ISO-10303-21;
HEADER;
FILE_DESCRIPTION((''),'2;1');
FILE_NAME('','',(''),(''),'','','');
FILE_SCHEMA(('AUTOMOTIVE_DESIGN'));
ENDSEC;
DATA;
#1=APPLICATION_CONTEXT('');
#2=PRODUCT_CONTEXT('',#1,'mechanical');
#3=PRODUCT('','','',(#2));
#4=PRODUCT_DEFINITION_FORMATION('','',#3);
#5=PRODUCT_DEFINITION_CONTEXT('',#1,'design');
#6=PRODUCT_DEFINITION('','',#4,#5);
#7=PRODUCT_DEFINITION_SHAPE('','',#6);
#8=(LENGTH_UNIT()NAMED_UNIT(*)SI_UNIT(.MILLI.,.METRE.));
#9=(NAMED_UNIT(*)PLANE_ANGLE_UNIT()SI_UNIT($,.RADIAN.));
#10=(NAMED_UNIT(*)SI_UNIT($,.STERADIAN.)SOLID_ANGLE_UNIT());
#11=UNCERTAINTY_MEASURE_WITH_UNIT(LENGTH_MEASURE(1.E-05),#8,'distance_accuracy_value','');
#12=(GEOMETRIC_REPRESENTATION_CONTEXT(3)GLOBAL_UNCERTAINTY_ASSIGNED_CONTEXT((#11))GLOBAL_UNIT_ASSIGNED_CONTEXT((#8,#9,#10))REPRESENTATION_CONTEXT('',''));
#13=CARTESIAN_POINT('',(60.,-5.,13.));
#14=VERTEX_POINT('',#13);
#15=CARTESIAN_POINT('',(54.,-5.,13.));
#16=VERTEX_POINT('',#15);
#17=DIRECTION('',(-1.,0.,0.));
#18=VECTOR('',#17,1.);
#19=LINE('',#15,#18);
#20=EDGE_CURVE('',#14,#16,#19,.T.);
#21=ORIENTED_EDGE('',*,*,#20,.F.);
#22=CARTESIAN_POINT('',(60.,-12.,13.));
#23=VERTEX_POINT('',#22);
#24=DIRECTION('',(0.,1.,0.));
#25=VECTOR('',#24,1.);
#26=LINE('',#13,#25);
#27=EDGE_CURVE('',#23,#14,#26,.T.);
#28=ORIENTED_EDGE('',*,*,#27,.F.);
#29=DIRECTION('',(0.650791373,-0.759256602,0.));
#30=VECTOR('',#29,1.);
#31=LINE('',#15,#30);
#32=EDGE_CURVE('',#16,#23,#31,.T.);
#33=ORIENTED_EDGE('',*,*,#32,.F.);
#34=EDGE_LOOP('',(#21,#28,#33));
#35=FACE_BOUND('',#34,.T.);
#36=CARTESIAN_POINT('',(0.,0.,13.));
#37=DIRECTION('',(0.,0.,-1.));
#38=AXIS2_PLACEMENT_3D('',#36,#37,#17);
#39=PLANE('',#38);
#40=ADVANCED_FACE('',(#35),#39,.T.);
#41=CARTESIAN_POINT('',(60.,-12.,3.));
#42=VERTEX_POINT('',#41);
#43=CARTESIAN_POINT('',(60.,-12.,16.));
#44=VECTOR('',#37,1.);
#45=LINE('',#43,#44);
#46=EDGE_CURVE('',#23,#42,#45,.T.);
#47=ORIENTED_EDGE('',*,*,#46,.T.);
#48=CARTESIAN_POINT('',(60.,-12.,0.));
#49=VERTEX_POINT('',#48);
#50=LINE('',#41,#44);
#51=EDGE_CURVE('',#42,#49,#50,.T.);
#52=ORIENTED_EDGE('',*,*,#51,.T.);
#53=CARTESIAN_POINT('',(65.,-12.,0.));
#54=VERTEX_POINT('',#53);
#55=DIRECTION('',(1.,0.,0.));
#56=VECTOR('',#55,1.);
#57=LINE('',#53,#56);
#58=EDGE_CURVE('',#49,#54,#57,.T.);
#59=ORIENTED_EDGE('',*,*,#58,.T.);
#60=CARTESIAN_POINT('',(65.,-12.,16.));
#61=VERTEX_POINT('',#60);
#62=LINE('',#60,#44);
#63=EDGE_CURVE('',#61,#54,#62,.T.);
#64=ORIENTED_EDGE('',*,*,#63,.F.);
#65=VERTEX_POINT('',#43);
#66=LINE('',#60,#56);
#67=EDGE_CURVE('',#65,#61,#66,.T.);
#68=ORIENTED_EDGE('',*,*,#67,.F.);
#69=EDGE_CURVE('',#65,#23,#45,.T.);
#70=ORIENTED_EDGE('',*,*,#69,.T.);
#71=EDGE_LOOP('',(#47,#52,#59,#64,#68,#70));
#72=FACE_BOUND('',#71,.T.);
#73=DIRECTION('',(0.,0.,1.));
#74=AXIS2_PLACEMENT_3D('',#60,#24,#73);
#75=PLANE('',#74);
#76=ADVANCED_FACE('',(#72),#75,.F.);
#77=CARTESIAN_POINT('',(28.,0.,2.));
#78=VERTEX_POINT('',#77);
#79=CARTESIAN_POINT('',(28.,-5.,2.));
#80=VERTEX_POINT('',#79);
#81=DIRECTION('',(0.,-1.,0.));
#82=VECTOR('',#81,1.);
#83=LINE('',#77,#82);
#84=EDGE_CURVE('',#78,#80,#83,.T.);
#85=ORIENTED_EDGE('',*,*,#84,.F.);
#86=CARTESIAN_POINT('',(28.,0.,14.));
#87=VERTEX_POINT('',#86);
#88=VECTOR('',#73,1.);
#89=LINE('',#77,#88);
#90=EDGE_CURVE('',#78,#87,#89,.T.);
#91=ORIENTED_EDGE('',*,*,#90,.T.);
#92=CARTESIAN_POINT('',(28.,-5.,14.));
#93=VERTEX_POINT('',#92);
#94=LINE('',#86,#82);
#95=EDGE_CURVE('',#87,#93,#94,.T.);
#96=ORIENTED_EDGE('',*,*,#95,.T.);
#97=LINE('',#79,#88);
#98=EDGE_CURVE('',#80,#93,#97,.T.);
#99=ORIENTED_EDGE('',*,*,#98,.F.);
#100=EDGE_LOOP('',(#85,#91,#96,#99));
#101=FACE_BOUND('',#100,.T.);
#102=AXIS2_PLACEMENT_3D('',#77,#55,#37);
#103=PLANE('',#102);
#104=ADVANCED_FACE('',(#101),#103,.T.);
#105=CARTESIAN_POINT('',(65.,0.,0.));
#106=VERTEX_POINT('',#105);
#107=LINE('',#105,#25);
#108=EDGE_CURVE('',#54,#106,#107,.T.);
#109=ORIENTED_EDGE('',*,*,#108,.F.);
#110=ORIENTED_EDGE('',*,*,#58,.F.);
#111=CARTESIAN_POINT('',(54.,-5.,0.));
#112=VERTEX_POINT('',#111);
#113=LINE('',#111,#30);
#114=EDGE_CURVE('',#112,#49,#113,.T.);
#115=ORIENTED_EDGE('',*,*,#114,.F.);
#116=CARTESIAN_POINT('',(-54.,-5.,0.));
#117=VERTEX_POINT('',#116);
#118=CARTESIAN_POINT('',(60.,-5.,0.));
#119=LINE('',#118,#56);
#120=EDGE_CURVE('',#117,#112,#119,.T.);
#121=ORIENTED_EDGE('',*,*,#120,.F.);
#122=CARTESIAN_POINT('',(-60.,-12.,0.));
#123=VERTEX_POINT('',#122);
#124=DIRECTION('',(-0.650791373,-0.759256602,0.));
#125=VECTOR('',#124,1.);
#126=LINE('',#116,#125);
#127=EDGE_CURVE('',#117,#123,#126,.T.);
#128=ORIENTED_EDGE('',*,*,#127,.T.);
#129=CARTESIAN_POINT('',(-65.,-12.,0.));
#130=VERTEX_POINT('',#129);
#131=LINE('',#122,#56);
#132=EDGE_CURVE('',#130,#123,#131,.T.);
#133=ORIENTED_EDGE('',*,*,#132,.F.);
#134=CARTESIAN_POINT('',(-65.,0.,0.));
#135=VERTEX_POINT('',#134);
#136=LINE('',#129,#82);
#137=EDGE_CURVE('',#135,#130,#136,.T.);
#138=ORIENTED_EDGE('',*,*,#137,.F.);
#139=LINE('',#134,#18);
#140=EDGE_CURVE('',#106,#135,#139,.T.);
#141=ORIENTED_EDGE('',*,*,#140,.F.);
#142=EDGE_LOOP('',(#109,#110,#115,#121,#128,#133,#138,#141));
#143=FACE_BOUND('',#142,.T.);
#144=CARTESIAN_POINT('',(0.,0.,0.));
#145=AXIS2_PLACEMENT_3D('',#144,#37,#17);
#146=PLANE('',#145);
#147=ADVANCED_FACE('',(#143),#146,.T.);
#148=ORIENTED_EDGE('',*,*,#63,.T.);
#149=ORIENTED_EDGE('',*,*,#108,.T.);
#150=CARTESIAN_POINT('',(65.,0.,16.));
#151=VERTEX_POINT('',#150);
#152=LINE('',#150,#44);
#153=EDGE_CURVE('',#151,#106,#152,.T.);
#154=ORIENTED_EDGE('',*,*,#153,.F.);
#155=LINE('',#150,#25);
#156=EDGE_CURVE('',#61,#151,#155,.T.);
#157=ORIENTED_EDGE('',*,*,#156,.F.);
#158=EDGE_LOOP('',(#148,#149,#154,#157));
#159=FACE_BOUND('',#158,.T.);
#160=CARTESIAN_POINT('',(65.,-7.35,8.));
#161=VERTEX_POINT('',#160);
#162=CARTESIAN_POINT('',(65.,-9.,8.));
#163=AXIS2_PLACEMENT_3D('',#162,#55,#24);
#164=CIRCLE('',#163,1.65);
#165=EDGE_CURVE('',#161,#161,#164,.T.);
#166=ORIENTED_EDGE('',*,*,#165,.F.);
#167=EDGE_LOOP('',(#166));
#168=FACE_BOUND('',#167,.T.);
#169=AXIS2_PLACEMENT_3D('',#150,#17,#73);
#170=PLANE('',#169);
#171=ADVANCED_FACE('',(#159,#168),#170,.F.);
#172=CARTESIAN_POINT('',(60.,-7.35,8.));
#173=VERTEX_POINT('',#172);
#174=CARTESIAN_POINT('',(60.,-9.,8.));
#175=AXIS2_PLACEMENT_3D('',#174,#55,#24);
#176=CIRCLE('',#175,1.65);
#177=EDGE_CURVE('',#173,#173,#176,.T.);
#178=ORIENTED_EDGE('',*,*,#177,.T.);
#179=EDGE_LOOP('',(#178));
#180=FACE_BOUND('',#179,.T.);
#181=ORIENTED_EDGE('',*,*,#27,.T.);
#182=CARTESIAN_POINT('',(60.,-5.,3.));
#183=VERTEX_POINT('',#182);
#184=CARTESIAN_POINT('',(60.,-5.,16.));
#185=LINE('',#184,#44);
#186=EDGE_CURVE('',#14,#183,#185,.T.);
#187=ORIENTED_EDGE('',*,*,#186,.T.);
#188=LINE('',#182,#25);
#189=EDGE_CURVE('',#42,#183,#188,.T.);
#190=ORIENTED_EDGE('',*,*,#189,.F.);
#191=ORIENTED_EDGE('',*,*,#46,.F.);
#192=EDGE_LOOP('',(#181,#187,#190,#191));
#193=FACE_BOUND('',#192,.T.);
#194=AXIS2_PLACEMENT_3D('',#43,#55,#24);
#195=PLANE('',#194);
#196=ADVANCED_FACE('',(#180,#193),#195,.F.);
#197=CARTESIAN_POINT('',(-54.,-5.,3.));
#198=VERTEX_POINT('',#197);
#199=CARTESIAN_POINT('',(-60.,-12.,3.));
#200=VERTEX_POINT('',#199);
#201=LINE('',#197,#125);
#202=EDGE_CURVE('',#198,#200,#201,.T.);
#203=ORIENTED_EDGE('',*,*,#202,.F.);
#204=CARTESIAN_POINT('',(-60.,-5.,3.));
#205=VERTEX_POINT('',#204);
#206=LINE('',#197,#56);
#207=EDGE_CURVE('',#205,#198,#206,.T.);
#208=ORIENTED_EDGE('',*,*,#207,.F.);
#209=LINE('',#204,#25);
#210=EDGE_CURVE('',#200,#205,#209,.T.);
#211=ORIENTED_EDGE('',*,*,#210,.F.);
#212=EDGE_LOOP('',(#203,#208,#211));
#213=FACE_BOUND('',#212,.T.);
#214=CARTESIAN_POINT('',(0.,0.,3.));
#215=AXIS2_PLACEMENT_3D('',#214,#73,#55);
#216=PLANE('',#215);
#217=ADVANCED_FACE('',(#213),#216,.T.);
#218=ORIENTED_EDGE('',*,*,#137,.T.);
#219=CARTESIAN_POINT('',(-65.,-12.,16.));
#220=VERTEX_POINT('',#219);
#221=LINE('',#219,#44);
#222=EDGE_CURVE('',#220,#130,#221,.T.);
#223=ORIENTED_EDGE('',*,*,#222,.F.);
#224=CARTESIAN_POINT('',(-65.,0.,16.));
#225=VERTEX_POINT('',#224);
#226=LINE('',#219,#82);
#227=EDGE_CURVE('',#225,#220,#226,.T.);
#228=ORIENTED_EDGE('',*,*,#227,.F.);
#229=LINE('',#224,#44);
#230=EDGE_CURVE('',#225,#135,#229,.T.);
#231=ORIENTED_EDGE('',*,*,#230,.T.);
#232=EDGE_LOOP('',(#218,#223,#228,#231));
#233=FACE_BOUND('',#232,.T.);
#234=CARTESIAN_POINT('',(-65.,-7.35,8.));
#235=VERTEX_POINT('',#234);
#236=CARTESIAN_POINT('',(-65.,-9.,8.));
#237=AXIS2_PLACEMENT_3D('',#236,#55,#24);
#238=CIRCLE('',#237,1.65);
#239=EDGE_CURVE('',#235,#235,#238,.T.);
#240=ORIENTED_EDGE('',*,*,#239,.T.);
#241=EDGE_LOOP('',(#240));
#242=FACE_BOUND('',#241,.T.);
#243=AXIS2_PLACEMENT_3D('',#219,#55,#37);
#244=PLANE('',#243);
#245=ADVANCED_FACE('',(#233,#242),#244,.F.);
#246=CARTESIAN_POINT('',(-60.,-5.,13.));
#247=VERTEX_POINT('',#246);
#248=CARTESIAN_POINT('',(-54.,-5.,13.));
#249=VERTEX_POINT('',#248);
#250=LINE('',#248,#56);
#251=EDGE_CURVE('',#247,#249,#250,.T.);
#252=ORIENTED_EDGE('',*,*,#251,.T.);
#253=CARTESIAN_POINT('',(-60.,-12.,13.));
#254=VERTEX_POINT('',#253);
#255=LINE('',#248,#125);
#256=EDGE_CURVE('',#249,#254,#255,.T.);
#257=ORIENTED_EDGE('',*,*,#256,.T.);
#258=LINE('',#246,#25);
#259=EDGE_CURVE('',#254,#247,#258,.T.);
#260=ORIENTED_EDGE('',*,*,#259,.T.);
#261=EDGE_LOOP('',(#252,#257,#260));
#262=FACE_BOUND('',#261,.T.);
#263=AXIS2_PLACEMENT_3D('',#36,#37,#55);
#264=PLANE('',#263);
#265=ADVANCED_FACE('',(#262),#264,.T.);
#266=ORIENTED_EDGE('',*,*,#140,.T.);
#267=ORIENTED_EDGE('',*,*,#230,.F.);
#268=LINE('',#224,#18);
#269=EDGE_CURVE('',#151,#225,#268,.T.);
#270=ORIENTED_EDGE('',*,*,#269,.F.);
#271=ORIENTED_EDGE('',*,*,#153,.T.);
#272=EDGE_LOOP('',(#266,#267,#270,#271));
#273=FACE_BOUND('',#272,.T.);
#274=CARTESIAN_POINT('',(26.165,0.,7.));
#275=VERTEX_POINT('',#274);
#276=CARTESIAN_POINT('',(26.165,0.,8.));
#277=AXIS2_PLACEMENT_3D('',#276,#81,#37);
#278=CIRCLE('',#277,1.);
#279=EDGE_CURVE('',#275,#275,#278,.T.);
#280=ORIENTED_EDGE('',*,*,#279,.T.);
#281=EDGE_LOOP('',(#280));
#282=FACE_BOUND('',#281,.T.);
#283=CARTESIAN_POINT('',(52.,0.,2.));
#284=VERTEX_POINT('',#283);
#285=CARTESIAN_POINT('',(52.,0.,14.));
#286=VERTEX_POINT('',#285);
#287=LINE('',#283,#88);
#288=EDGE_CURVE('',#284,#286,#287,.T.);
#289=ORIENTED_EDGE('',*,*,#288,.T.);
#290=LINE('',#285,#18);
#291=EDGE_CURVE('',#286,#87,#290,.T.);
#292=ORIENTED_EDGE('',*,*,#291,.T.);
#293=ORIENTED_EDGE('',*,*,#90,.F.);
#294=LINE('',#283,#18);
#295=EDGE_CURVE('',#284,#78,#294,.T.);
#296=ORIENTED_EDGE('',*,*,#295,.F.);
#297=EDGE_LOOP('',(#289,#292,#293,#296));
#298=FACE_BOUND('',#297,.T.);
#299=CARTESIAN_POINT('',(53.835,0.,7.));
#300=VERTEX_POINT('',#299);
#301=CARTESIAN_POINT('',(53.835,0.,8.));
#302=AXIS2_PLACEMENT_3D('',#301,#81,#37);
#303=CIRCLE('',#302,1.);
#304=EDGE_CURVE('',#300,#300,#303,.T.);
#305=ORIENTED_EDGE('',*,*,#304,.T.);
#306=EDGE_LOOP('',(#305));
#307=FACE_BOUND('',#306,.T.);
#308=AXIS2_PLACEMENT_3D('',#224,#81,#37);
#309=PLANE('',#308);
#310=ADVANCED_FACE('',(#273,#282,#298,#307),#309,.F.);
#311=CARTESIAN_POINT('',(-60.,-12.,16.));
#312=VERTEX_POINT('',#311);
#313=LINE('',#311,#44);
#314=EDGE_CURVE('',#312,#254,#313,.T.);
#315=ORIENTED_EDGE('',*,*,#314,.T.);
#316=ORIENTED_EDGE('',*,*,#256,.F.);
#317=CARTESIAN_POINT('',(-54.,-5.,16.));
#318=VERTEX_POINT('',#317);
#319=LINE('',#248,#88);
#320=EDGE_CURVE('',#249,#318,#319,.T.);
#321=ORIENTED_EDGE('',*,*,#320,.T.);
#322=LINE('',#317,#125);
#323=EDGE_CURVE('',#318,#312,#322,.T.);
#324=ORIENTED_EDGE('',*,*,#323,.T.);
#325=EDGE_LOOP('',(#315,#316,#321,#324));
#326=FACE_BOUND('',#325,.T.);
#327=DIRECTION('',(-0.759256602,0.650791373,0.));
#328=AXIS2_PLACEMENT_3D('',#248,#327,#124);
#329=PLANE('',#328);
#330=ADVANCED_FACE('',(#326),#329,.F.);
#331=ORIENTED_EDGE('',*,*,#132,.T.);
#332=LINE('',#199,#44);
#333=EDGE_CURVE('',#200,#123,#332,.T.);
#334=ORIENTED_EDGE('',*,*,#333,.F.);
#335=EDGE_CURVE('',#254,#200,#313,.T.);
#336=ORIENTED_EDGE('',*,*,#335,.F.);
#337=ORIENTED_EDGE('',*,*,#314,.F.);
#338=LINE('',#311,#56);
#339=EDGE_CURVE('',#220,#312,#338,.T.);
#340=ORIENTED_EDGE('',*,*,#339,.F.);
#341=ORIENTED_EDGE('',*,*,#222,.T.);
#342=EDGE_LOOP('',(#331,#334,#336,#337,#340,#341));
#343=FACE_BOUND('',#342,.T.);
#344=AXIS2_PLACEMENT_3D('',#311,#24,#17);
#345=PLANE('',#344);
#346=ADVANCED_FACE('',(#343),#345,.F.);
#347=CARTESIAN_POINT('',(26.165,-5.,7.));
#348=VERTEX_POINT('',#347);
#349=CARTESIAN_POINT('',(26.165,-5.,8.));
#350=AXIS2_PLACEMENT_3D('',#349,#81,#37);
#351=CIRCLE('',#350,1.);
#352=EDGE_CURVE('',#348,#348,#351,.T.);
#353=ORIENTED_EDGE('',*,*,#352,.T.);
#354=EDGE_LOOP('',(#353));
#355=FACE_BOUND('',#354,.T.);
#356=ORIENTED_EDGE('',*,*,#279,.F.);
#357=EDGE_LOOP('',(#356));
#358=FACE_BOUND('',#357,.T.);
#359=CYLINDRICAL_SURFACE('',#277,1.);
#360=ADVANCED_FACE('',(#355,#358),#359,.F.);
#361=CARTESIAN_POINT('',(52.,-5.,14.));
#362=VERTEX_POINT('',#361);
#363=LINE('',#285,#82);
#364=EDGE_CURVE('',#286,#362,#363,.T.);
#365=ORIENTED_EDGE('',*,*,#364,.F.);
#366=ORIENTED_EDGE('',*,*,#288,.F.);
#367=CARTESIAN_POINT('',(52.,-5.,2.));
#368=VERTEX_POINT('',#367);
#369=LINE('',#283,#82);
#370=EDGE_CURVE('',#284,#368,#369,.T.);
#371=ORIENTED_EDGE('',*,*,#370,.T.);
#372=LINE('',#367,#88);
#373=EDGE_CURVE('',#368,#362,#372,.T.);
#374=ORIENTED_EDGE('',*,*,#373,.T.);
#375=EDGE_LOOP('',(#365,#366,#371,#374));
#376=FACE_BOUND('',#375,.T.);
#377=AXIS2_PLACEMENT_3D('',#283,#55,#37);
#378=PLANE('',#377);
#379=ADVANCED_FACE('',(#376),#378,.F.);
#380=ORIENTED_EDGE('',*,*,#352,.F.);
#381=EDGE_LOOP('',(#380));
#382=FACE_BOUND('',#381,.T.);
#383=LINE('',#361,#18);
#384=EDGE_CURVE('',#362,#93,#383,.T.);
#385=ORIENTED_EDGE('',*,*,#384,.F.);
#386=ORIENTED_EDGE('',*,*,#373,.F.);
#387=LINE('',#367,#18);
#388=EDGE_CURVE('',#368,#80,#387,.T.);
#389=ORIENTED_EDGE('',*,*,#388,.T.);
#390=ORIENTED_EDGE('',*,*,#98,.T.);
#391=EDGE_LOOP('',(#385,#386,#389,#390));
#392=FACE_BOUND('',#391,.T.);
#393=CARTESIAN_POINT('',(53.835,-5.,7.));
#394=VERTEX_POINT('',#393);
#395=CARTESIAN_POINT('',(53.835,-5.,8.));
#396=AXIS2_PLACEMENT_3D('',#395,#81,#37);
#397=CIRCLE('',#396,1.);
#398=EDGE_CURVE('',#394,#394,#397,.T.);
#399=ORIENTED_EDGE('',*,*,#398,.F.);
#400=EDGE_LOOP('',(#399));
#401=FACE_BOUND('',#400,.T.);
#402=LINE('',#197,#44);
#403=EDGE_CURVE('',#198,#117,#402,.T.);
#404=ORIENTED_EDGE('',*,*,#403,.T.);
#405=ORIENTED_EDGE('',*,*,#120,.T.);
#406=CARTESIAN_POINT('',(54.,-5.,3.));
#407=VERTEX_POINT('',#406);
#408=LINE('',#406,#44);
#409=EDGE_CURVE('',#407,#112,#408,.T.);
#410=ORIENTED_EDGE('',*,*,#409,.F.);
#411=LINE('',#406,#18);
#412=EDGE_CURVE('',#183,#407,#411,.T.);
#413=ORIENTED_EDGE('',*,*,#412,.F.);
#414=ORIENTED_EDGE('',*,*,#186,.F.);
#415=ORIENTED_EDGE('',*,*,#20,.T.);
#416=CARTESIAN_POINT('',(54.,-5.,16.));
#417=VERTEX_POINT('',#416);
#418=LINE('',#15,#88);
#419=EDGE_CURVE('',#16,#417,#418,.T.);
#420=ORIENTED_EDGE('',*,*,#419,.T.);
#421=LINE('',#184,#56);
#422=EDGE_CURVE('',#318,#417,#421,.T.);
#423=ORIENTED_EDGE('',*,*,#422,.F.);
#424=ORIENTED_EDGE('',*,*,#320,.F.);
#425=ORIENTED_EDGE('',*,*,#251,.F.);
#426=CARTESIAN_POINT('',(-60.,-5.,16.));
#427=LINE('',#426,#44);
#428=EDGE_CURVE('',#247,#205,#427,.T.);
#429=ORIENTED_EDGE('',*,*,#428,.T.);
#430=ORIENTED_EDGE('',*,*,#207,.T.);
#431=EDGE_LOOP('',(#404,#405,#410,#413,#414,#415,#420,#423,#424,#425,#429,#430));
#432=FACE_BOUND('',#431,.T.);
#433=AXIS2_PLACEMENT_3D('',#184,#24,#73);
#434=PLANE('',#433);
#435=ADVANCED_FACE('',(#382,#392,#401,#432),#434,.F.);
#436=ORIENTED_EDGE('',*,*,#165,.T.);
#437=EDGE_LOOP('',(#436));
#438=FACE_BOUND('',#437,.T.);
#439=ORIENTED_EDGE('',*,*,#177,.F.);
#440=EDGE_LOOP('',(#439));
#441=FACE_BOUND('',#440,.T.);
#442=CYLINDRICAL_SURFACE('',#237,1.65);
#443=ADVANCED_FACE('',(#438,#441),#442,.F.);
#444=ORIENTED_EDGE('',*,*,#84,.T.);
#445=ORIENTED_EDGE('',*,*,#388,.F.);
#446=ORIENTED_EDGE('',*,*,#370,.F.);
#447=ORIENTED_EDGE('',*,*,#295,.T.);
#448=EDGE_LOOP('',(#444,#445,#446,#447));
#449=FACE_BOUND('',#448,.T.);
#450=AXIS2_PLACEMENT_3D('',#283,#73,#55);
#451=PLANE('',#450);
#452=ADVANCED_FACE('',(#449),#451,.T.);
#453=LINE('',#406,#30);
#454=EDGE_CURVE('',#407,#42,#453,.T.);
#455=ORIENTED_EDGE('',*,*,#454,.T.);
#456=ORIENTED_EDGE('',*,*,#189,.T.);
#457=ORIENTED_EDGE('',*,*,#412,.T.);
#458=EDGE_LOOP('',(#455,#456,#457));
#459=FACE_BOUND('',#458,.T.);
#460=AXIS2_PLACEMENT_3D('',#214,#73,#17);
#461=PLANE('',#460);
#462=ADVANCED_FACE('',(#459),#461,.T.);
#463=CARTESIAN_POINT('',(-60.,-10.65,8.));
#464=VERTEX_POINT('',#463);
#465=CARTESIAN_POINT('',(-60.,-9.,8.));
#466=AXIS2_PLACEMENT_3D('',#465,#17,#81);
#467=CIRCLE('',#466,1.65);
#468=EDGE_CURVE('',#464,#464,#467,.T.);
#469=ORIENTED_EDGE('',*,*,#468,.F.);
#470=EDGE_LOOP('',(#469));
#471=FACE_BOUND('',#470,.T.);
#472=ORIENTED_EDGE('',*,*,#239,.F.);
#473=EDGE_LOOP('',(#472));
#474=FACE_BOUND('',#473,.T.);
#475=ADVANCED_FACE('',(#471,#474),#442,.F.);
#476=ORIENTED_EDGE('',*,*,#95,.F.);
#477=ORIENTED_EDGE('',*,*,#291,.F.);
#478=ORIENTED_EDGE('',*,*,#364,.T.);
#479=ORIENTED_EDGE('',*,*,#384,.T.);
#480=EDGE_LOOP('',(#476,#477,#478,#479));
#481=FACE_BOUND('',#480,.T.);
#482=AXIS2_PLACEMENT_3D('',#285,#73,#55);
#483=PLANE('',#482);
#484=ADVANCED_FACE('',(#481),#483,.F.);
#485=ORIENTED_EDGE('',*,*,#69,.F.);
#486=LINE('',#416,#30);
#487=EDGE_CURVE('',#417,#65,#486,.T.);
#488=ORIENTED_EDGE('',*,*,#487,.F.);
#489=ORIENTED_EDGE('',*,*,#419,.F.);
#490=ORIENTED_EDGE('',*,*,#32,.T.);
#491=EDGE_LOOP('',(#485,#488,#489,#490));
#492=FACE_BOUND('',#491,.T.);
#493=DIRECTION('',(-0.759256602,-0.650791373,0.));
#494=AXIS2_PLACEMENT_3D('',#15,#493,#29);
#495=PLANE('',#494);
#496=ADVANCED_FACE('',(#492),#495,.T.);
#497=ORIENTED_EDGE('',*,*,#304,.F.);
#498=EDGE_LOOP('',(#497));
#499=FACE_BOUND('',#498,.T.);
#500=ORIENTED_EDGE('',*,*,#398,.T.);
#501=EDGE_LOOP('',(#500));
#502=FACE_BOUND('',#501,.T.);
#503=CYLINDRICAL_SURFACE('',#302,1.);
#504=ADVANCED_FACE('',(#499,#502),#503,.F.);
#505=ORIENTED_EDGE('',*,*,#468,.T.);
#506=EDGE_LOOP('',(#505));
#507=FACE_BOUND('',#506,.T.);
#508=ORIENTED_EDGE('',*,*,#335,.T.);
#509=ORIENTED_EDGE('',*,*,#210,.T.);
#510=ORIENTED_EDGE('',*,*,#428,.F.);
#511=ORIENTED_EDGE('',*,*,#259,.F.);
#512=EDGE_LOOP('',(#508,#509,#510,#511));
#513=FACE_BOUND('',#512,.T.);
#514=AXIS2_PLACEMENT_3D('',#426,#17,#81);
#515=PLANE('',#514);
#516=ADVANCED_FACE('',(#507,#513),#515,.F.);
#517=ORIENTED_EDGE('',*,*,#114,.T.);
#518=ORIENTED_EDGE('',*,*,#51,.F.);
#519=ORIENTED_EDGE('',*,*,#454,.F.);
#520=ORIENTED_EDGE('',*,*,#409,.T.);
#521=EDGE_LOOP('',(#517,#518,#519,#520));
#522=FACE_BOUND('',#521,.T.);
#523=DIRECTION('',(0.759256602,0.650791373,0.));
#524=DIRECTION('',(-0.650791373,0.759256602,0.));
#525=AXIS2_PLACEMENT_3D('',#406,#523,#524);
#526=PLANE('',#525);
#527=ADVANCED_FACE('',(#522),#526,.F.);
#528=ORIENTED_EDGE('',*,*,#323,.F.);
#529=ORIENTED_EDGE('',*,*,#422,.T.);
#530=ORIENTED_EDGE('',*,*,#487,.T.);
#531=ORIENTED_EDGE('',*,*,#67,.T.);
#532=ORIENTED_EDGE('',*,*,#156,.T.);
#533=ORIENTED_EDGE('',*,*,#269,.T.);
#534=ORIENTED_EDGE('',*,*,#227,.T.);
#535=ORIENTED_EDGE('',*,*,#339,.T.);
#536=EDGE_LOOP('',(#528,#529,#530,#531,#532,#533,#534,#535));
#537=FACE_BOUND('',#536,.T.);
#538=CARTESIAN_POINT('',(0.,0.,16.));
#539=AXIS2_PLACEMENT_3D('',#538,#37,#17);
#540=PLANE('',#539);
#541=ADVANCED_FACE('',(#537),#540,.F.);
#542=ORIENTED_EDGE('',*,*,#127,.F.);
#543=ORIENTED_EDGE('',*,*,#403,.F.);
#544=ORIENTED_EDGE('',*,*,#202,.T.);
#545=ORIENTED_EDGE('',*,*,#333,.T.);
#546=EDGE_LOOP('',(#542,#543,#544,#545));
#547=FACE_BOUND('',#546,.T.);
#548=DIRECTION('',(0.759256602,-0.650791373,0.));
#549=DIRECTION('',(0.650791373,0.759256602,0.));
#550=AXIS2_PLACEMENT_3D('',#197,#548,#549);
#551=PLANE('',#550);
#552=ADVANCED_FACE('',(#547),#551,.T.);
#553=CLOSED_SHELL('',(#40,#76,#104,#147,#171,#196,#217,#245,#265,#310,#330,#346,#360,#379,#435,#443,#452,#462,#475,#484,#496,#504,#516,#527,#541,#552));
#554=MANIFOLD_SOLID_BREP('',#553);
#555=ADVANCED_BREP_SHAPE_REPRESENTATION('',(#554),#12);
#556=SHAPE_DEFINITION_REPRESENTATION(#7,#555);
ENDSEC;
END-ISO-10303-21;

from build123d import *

# Parameters (mm, degrees)
EXTRUDE_2_DEPTH          = 16
SKETCH_3_R               = 1.65
CUT_EXTRUDE_1_DEPTH      = 126
CUT_EXTRUDE_1_DEPTH_BACK = 6
EXTRUDE_3_DEPTH          = 3
MIRROR_2_COPY_1_DEPTH    = 3
SKETCH_7_W               = 24
SKETCH_7_H               = 12
CUT_EXTRUDE_2_DEPTH      = 5
SKETCH_10_R              = 1
CUT_EXTRUDE_3_DEPTH      = 5


with BuildPart() as part:
    # 草图1 → 凸台-拉伸2 (new body)
    with BuildSketch(Plane.XY):
        Polygon((-65, 0), (65, 0), (65, -12), (60, -12), (60, -5), (-60, -5), (-60, -12), (-65, -12), align=None)
    extrude(amount=EXTRUDE_2_DEPTH)

    # 草图3 → 切除-拉伸1 (cut, two sides)
    with BuildSketch(Plane(origin=(-60, 0, 0), x_dir=(0, 0, -1), z_dir=(1, 0, 0))) as cut_extrude_1_sk:
        with Locations((-8, -9)):
            Circle(SKETCH_3_R)
    extrude(amount=CUT_EXTRUDE_1_DEPTH, mode=Mode.SUBTRACT)
    extrude(cut_extrude_1_sk.sketch, amount=-CUT_EXTRUDE_1_DEPTH_BACK, mode=Mode.SUBTRACT)

    # 草图4 → 凸台-拉伸3 (add)
    with BuildSketch(Plane(origin=(0, 0, 0), x_dir=(-1, 0, 0), z_dir=(0, 0, -1))):
        Polygon((54, -5), (60, -12), (60, -5), align=None)
    extrude_3 = extrude(amount=-EXTRUDE_3_DEPTH)

    # 镜向1: 凸台-拉伸3 across plane
    add(extrude_3.mirror(Plane.XY.offset(8)))

    # 镜向2: 凸台-拉伸3 across plane
    add(extrude_3.mirror(Plane(origin=(0, 0, 0), x_dir=(0, 0, 1), z_dir=(1, 0, 0))))

    # 镜向2 copy 1 sketch → 镜向2 copy 1 (add)
    with BuildSketch(Plane.XY.offset(16)):
        Polygon((54, -5), (60, -12), (60, -5), align=None)
    extrude(amount=-MIRROR_2_COPY_1_DEPTH)

    # 草图7 → 切除-拉伸2 (cut)
    with BuildSketch(Plane.XZ.offset(5)):
        with Locations((40, 8)):
            Rectangle(SKETCH_7_W, SKETCH_7_H)
    extrude(amount=-CUT_EXTRUDE_2_DEPTH, mode=Mode.SUBTRACT)

    # 草图10 → 切除-拉伸3 (cut)
    with BuildSketch(Plane.XZ.offset(5)):
        with Locations((53.835, 8)):
            Circle(SKETCH_10_R)
        with Locations((26.165, 8)):
            Circle(SKETCH_10_R)
    extrude(amount=-CUT_EXTRUDE_3_DEPTH, mode=Mode.SUBTRACT)


solid = part.part
